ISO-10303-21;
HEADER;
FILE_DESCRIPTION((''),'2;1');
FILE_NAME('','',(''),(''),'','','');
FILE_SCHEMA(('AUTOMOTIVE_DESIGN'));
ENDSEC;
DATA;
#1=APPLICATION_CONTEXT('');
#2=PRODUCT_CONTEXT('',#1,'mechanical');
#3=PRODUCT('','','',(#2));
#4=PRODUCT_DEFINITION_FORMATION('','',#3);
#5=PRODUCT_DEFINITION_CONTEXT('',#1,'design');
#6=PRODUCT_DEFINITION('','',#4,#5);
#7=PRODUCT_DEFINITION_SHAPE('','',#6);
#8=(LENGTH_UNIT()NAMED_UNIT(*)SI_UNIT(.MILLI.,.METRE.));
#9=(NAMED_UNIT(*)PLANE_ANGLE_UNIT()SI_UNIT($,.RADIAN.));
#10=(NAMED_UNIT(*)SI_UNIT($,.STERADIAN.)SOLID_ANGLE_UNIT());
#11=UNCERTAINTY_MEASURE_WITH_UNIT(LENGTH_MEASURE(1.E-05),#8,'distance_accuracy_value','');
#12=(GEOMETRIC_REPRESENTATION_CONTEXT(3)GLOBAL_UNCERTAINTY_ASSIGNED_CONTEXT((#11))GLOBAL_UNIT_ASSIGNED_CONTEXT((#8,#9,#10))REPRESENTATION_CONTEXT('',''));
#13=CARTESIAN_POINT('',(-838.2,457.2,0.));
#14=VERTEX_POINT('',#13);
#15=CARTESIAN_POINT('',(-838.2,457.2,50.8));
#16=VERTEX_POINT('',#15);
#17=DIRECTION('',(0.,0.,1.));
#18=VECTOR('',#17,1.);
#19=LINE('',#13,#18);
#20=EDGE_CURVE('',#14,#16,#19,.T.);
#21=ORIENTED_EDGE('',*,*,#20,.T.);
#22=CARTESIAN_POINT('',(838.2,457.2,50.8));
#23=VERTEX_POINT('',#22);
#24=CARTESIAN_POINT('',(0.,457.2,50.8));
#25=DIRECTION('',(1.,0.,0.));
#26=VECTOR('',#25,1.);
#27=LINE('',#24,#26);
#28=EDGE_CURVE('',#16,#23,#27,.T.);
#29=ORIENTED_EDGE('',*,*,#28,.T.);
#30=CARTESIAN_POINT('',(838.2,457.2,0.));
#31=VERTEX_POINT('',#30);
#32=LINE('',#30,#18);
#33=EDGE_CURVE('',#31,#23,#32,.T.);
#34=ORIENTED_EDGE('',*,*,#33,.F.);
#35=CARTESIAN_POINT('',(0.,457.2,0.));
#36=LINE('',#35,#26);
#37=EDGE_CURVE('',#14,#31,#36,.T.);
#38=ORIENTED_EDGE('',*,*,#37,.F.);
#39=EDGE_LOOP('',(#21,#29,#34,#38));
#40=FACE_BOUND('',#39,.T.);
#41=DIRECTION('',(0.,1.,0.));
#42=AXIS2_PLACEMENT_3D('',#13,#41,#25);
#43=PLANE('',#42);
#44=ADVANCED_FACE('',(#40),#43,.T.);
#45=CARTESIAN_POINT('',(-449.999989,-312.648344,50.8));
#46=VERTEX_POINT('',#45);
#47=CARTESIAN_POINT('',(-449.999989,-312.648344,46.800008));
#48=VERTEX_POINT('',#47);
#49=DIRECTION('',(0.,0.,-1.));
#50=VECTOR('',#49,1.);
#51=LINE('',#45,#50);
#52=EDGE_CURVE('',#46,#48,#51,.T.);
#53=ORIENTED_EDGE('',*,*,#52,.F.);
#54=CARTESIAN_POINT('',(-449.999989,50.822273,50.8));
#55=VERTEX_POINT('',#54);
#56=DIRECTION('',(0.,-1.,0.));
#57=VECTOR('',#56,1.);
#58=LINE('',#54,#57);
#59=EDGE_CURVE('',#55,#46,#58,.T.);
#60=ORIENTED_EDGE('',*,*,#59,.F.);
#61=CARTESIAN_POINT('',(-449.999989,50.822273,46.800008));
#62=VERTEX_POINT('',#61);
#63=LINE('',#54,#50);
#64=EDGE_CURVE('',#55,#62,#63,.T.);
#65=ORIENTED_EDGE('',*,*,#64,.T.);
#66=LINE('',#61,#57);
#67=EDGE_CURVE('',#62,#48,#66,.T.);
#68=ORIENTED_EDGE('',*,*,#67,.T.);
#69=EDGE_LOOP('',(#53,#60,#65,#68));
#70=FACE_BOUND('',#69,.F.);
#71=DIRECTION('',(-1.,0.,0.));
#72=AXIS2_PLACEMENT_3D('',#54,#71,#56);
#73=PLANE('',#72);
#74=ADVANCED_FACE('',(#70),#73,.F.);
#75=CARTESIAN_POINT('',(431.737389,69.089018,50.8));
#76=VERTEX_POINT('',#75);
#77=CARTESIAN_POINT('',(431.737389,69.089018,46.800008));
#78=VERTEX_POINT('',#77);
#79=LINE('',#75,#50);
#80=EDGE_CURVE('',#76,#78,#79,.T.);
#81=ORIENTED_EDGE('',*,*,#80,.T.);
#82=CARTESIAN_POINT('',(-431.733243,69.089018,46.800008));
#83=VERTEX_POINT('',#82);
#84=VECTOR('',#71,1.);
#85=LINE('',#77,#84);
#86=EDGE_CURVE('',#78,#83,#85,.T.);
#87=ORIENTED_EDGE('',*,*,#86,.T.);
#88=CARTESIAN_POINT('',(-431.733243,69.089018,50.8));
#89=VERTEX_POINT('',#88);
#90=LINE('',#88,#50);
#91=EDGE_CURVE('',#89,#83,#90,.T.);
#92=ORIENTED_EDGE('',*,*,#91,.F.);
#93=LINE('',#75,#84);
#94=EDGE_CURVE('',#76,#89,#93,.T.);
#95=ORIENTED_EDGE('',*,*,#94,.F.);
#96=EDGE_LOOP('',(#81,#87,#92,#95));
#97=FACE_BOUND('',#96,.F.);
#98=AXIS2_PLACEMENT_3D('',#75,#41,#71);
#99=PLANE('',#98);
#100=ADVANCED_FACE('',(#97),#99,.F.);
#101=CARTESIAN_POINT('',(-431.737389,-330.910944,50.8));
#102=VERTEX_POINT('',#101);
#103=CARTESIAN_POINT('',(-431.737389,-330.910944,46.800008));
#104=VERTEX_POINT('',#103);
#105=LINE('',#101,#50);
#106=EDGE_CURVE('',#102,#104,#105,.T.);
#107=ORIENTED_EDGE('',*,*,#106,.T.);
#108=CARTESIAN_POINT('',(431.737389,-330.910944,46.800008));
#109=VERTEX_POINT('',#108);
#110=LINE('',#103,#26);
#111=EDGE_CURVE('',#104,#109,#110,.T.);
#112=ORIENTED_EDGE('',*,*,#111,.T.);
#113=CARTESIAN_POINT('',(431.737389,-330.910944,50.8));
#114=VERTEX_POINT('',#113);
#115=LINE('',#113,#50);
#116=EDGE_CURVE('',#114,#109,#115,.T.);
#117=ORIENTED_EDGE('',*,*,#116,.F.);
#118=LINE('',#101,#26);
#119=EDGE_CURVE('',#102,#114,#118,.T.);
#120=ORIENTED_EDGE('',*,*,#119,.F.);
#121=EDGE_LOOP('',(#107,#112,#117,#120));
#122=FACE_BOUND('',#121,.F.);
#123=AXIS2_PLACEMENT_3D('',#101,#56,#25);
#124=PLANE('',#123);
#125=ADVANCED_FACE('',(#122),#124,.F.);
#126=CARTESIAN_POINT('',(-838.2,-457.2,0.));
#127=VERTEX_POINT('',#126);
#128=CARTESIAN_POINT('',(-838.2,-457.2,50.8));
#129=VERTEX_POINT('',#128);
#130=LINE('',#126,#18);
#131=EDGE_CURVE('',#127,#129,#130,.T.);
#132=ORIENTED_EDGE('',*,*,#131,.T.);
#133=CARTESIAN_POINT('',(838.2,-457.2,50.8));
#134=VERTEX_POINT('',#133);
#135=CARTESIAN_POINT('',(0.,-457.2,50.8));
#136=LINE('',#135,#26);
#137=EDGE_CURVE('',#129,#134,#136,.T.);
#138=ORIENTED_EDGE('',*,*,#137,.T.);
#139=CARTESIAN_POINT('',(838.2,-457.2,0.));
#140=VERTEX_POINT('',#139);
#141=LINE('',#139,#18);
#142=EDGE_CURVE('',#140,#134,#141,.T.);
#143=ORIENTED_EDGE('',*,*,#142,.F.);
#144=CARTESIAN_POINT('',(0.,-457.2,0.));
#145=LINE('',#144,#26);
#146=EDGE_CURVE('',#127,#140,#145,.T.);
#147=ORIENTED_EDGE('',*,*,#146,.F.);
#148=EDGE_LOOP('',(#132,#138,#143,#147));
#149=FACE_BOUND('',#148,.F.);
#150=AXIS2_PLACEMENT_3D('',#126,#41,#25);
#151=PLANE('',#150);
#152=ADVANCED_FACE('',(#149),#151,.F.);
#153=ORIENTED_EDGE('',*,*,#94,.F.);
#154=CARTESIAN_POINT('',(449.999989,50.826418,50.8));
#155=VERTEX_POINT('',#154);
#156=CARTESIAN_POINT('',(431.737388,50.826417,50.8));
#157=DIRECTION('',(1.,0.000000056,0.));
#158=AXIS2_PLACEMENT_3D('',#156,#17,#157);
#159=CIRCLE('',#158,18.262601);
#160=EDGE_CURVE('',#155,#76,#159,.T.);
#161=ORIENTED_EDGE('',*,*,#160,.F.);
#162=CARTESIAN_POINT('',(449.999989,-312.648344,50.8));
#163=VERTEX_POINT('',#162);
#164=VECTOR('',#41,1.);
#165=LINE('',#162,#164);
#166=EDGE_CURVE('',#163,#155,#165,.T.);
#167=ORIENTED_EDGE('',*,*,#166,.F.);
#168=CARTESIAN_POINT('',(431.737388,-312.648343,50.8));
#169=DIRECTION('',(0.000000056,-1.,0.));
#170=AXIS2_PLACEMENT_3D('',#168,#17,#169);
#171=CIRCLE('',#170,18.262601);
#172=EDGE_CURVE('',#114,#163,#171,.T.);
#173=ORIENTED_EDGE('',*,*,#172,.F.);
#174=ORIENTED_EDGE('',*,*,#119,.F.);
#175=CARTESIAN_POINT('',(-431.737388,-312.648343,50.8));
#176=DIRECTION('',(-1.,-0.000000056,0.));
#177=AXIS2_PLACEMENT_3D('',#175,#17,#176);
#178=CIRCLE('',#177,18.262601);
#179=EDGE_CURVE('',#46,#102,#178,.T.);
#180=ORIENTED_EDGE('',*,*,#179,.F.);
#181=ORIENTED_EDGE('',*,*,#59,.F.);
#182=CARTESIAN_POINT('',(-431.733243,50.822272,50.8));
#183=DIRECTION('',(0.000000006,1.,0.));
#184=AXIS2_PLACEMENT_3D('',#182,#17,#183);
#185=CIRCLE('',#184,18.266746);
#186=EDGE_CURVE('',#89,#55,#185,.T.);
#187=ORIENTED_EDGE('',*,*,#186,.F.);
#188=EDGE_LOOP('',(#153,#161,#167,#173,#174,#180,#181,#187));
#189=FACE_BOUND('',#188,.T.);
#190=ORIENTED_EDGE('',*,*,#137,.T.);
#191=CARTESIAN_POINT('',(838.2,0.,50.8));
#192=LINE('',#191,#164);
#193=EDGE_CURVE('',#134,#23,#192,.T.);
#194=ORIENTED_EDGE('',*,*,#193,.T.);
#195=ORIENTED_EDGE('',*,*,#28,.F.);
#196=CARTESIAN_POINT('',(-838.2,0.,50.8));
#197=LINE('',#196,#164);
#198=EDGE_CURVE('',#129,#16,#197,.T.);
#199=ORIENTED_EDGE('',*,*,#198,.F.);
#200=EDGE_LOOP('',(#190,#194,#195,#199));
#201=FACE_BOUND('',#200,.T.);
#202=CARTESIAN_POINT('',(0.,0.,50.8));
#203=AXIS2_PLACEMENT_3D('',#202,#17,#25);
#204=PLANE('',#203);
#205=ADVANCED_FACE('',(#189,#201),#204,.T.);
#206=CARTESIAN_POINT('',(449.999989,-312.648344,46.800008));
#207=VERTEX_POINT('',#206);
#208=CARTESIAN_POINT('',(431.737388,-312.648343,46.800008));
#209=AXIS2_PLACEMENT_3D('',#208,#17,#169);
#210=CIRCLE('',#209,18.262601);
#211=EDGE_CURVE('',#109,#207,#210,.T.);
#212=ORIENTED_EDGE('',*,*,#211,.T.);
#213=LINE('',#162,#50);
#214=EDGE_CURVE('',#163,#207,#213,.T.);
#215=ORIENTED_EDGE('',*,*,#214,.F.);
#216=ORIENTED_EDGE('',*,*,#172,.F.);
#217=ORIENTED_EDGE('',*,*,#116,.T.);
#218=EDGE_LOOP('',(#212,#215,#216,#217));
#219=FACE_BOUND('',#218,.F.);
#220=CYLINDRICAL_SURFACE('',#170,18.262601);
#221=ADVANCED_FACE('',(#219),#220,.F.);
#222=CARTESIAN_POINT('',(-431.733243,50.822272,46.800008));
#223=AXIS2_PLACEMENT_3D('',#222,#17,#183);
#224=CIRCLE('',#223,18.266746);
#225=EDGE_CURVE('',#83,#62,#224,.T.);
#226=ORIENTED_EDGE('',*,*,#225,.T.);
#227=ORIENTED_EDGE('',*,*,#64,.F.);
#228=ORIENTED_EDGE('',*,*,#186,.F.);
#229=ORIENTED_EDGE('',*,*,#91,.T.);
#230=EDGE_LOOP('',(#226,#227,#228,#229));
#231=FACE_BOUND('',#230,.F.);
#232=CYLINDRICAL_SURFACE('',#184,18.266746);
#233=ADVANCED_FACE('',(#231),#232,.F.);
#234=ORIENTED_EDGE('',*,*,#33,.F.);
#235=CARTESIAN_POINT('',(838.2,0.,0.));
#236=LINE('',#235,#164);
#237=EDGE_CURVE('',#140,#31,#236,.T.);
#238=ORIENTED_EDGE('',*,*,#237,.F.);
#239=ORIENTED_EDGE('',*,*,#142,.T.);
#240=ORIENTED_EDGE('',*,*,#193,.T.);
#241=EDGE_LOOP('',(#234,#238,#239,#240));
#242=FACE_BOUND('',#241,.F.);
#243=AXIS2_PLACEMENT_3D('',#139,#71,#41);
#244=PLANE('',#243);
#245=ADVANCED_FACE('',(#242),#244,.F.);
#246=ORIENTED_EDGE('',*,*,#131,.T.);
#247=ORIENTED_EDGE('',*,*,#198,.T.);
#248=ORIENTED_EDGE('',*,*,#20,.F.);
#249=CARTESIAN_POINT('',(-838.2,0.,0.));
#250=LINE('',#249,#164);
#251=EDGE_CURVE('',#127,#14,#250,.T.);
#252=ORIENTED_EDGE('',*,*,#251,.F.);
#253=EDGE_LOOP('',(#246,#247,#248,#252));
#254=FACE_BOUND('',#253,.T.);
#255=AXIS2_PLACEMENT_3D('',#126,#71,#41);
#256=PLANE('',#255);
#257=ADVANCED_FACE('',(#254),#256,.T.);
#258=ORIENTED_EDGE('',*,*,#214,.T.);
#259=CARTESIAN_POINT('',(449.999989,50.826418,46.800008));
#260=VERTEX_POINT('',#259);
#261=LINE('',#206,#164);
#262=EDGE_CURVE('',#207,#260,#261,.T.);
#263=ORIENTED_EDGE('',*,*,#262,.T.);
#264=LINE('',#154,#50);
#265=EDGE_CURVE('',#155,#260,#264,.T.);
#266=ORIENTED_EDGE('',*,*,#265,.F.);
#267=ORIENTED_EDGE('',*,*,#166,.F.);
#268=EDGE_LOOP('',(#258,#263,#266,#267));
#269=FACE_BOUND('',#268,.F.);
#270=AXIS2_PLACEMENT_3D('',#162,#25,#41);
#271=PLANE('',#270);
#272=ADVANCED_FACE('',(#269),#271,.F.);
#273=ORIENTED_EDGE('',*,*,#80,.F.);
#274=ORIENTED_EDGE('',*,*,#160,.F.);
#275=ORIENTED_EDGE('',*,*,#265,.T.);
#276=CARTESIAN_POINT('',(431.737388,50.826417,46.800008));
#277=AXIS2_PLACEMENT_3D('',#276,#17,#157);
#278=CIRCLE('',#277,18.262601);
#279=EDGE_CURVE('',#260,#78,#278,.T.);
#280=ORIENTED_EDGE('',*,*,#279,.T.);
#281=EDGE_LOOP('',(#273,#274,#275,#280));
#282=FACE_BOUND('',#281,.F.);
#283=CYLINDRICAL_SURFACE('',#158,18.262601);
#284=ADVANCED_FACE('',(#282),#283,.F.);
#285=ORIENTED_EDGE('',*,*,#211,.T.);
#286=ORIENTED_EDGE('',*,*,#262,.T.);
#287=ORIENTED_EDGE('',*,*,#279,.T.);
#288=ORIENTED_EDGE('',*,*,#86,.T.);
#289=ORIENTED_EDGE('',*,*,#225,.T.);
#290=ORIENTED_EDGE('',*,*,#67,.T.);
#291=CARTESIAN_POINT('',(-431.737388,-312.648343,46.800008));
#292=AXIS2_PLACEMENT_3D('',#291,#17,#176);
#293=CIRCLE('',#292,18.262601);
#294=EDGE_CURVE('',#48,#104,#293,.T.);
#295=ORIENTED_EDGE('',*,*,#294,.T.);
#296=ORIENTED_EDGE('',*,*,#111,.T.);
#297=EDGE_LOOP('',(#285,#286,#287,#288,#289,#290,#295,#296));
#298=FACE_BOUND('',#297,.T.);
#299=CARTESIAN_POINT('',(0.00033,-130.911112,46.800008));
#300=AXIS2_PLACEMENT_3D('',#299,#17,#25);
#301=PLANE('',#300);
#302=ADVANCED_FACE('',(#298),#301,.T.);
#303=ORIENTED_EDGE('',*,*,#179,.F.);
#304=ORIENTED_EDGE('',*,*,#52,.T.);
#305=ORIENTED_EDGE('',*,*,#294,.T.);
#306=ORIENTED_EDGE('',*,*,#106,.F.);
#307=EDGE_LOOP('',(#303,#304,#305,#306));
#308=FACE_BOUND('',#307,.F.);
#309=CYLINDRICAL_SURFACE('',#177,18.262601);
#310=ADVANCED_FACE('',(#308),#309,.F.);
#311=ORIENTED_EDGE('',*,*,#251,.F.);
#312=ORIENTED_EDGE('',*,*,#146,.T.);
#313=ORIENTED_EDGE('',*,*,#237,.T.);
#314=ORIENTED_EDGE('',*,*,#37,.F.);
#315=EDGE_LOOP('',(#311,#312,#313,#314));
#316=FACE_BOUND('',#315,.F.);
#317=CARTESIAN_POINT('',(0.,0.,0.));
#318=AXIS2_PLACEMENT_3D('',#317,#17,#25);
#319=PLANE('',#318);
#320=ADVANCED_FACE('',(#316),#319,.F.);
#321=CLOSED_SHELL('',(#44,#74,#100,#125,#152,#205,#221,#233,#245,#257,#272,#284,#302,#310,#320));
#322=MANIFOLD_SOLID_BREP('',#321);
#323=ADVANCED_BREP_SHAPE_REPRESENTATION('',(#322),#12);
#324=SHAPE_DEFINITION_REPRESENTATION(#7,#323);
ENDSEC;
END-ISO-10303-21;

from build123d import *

# Parameters (mm, degrees)
F0_W     = 1676.4
F0_H     = 914.4
F1_DEPTH = 50.8
F3_DEPTH = 3.999992


with BuildPart() as f1:
    # F0 (on Top) → F1 (new body)
    with BuildSketch(Plane.XY):
        Rectangle(F0_W, F0_H)
    extrude(amount=F1_DEPTH)

    # F2 (on face) → F3 (cut)
    with BuildSketch(Plane.XY.offset(50.8)):
        with BuildLine():
            Line((-431.737389, -330.910944), (431.737389, -330.910944))
            ThreePointArc((431.737389, -330.910944), (444.650997, -325.561952), (449.999989, -312.648344))
            Line((449.999989, -312.648344), (449.999989, 50.826418))
            ThreePointArc((449.999989, 50.826418), (444.650997, 63.740026), (431.737389, 69.089018))
            Line((431.737389, 69.089018), (-431.733243, 69.089018))
            ThreePointArc((-431.733243, 69.089018), (-444.649783, 63.738812), (-449.999989, 50.822273))
            Line((-449.999989, 50.822273), (-449.999989, -312.648344))
            ThreePointArc((-449.999989, -312.648344), (-444.650997, -325.561952), (-431.737389, -330.910944))
        make_face()
    extrude(amount=-F3_DEPTH, mode=Mode.SUBTRACT)


solid = f1.part
